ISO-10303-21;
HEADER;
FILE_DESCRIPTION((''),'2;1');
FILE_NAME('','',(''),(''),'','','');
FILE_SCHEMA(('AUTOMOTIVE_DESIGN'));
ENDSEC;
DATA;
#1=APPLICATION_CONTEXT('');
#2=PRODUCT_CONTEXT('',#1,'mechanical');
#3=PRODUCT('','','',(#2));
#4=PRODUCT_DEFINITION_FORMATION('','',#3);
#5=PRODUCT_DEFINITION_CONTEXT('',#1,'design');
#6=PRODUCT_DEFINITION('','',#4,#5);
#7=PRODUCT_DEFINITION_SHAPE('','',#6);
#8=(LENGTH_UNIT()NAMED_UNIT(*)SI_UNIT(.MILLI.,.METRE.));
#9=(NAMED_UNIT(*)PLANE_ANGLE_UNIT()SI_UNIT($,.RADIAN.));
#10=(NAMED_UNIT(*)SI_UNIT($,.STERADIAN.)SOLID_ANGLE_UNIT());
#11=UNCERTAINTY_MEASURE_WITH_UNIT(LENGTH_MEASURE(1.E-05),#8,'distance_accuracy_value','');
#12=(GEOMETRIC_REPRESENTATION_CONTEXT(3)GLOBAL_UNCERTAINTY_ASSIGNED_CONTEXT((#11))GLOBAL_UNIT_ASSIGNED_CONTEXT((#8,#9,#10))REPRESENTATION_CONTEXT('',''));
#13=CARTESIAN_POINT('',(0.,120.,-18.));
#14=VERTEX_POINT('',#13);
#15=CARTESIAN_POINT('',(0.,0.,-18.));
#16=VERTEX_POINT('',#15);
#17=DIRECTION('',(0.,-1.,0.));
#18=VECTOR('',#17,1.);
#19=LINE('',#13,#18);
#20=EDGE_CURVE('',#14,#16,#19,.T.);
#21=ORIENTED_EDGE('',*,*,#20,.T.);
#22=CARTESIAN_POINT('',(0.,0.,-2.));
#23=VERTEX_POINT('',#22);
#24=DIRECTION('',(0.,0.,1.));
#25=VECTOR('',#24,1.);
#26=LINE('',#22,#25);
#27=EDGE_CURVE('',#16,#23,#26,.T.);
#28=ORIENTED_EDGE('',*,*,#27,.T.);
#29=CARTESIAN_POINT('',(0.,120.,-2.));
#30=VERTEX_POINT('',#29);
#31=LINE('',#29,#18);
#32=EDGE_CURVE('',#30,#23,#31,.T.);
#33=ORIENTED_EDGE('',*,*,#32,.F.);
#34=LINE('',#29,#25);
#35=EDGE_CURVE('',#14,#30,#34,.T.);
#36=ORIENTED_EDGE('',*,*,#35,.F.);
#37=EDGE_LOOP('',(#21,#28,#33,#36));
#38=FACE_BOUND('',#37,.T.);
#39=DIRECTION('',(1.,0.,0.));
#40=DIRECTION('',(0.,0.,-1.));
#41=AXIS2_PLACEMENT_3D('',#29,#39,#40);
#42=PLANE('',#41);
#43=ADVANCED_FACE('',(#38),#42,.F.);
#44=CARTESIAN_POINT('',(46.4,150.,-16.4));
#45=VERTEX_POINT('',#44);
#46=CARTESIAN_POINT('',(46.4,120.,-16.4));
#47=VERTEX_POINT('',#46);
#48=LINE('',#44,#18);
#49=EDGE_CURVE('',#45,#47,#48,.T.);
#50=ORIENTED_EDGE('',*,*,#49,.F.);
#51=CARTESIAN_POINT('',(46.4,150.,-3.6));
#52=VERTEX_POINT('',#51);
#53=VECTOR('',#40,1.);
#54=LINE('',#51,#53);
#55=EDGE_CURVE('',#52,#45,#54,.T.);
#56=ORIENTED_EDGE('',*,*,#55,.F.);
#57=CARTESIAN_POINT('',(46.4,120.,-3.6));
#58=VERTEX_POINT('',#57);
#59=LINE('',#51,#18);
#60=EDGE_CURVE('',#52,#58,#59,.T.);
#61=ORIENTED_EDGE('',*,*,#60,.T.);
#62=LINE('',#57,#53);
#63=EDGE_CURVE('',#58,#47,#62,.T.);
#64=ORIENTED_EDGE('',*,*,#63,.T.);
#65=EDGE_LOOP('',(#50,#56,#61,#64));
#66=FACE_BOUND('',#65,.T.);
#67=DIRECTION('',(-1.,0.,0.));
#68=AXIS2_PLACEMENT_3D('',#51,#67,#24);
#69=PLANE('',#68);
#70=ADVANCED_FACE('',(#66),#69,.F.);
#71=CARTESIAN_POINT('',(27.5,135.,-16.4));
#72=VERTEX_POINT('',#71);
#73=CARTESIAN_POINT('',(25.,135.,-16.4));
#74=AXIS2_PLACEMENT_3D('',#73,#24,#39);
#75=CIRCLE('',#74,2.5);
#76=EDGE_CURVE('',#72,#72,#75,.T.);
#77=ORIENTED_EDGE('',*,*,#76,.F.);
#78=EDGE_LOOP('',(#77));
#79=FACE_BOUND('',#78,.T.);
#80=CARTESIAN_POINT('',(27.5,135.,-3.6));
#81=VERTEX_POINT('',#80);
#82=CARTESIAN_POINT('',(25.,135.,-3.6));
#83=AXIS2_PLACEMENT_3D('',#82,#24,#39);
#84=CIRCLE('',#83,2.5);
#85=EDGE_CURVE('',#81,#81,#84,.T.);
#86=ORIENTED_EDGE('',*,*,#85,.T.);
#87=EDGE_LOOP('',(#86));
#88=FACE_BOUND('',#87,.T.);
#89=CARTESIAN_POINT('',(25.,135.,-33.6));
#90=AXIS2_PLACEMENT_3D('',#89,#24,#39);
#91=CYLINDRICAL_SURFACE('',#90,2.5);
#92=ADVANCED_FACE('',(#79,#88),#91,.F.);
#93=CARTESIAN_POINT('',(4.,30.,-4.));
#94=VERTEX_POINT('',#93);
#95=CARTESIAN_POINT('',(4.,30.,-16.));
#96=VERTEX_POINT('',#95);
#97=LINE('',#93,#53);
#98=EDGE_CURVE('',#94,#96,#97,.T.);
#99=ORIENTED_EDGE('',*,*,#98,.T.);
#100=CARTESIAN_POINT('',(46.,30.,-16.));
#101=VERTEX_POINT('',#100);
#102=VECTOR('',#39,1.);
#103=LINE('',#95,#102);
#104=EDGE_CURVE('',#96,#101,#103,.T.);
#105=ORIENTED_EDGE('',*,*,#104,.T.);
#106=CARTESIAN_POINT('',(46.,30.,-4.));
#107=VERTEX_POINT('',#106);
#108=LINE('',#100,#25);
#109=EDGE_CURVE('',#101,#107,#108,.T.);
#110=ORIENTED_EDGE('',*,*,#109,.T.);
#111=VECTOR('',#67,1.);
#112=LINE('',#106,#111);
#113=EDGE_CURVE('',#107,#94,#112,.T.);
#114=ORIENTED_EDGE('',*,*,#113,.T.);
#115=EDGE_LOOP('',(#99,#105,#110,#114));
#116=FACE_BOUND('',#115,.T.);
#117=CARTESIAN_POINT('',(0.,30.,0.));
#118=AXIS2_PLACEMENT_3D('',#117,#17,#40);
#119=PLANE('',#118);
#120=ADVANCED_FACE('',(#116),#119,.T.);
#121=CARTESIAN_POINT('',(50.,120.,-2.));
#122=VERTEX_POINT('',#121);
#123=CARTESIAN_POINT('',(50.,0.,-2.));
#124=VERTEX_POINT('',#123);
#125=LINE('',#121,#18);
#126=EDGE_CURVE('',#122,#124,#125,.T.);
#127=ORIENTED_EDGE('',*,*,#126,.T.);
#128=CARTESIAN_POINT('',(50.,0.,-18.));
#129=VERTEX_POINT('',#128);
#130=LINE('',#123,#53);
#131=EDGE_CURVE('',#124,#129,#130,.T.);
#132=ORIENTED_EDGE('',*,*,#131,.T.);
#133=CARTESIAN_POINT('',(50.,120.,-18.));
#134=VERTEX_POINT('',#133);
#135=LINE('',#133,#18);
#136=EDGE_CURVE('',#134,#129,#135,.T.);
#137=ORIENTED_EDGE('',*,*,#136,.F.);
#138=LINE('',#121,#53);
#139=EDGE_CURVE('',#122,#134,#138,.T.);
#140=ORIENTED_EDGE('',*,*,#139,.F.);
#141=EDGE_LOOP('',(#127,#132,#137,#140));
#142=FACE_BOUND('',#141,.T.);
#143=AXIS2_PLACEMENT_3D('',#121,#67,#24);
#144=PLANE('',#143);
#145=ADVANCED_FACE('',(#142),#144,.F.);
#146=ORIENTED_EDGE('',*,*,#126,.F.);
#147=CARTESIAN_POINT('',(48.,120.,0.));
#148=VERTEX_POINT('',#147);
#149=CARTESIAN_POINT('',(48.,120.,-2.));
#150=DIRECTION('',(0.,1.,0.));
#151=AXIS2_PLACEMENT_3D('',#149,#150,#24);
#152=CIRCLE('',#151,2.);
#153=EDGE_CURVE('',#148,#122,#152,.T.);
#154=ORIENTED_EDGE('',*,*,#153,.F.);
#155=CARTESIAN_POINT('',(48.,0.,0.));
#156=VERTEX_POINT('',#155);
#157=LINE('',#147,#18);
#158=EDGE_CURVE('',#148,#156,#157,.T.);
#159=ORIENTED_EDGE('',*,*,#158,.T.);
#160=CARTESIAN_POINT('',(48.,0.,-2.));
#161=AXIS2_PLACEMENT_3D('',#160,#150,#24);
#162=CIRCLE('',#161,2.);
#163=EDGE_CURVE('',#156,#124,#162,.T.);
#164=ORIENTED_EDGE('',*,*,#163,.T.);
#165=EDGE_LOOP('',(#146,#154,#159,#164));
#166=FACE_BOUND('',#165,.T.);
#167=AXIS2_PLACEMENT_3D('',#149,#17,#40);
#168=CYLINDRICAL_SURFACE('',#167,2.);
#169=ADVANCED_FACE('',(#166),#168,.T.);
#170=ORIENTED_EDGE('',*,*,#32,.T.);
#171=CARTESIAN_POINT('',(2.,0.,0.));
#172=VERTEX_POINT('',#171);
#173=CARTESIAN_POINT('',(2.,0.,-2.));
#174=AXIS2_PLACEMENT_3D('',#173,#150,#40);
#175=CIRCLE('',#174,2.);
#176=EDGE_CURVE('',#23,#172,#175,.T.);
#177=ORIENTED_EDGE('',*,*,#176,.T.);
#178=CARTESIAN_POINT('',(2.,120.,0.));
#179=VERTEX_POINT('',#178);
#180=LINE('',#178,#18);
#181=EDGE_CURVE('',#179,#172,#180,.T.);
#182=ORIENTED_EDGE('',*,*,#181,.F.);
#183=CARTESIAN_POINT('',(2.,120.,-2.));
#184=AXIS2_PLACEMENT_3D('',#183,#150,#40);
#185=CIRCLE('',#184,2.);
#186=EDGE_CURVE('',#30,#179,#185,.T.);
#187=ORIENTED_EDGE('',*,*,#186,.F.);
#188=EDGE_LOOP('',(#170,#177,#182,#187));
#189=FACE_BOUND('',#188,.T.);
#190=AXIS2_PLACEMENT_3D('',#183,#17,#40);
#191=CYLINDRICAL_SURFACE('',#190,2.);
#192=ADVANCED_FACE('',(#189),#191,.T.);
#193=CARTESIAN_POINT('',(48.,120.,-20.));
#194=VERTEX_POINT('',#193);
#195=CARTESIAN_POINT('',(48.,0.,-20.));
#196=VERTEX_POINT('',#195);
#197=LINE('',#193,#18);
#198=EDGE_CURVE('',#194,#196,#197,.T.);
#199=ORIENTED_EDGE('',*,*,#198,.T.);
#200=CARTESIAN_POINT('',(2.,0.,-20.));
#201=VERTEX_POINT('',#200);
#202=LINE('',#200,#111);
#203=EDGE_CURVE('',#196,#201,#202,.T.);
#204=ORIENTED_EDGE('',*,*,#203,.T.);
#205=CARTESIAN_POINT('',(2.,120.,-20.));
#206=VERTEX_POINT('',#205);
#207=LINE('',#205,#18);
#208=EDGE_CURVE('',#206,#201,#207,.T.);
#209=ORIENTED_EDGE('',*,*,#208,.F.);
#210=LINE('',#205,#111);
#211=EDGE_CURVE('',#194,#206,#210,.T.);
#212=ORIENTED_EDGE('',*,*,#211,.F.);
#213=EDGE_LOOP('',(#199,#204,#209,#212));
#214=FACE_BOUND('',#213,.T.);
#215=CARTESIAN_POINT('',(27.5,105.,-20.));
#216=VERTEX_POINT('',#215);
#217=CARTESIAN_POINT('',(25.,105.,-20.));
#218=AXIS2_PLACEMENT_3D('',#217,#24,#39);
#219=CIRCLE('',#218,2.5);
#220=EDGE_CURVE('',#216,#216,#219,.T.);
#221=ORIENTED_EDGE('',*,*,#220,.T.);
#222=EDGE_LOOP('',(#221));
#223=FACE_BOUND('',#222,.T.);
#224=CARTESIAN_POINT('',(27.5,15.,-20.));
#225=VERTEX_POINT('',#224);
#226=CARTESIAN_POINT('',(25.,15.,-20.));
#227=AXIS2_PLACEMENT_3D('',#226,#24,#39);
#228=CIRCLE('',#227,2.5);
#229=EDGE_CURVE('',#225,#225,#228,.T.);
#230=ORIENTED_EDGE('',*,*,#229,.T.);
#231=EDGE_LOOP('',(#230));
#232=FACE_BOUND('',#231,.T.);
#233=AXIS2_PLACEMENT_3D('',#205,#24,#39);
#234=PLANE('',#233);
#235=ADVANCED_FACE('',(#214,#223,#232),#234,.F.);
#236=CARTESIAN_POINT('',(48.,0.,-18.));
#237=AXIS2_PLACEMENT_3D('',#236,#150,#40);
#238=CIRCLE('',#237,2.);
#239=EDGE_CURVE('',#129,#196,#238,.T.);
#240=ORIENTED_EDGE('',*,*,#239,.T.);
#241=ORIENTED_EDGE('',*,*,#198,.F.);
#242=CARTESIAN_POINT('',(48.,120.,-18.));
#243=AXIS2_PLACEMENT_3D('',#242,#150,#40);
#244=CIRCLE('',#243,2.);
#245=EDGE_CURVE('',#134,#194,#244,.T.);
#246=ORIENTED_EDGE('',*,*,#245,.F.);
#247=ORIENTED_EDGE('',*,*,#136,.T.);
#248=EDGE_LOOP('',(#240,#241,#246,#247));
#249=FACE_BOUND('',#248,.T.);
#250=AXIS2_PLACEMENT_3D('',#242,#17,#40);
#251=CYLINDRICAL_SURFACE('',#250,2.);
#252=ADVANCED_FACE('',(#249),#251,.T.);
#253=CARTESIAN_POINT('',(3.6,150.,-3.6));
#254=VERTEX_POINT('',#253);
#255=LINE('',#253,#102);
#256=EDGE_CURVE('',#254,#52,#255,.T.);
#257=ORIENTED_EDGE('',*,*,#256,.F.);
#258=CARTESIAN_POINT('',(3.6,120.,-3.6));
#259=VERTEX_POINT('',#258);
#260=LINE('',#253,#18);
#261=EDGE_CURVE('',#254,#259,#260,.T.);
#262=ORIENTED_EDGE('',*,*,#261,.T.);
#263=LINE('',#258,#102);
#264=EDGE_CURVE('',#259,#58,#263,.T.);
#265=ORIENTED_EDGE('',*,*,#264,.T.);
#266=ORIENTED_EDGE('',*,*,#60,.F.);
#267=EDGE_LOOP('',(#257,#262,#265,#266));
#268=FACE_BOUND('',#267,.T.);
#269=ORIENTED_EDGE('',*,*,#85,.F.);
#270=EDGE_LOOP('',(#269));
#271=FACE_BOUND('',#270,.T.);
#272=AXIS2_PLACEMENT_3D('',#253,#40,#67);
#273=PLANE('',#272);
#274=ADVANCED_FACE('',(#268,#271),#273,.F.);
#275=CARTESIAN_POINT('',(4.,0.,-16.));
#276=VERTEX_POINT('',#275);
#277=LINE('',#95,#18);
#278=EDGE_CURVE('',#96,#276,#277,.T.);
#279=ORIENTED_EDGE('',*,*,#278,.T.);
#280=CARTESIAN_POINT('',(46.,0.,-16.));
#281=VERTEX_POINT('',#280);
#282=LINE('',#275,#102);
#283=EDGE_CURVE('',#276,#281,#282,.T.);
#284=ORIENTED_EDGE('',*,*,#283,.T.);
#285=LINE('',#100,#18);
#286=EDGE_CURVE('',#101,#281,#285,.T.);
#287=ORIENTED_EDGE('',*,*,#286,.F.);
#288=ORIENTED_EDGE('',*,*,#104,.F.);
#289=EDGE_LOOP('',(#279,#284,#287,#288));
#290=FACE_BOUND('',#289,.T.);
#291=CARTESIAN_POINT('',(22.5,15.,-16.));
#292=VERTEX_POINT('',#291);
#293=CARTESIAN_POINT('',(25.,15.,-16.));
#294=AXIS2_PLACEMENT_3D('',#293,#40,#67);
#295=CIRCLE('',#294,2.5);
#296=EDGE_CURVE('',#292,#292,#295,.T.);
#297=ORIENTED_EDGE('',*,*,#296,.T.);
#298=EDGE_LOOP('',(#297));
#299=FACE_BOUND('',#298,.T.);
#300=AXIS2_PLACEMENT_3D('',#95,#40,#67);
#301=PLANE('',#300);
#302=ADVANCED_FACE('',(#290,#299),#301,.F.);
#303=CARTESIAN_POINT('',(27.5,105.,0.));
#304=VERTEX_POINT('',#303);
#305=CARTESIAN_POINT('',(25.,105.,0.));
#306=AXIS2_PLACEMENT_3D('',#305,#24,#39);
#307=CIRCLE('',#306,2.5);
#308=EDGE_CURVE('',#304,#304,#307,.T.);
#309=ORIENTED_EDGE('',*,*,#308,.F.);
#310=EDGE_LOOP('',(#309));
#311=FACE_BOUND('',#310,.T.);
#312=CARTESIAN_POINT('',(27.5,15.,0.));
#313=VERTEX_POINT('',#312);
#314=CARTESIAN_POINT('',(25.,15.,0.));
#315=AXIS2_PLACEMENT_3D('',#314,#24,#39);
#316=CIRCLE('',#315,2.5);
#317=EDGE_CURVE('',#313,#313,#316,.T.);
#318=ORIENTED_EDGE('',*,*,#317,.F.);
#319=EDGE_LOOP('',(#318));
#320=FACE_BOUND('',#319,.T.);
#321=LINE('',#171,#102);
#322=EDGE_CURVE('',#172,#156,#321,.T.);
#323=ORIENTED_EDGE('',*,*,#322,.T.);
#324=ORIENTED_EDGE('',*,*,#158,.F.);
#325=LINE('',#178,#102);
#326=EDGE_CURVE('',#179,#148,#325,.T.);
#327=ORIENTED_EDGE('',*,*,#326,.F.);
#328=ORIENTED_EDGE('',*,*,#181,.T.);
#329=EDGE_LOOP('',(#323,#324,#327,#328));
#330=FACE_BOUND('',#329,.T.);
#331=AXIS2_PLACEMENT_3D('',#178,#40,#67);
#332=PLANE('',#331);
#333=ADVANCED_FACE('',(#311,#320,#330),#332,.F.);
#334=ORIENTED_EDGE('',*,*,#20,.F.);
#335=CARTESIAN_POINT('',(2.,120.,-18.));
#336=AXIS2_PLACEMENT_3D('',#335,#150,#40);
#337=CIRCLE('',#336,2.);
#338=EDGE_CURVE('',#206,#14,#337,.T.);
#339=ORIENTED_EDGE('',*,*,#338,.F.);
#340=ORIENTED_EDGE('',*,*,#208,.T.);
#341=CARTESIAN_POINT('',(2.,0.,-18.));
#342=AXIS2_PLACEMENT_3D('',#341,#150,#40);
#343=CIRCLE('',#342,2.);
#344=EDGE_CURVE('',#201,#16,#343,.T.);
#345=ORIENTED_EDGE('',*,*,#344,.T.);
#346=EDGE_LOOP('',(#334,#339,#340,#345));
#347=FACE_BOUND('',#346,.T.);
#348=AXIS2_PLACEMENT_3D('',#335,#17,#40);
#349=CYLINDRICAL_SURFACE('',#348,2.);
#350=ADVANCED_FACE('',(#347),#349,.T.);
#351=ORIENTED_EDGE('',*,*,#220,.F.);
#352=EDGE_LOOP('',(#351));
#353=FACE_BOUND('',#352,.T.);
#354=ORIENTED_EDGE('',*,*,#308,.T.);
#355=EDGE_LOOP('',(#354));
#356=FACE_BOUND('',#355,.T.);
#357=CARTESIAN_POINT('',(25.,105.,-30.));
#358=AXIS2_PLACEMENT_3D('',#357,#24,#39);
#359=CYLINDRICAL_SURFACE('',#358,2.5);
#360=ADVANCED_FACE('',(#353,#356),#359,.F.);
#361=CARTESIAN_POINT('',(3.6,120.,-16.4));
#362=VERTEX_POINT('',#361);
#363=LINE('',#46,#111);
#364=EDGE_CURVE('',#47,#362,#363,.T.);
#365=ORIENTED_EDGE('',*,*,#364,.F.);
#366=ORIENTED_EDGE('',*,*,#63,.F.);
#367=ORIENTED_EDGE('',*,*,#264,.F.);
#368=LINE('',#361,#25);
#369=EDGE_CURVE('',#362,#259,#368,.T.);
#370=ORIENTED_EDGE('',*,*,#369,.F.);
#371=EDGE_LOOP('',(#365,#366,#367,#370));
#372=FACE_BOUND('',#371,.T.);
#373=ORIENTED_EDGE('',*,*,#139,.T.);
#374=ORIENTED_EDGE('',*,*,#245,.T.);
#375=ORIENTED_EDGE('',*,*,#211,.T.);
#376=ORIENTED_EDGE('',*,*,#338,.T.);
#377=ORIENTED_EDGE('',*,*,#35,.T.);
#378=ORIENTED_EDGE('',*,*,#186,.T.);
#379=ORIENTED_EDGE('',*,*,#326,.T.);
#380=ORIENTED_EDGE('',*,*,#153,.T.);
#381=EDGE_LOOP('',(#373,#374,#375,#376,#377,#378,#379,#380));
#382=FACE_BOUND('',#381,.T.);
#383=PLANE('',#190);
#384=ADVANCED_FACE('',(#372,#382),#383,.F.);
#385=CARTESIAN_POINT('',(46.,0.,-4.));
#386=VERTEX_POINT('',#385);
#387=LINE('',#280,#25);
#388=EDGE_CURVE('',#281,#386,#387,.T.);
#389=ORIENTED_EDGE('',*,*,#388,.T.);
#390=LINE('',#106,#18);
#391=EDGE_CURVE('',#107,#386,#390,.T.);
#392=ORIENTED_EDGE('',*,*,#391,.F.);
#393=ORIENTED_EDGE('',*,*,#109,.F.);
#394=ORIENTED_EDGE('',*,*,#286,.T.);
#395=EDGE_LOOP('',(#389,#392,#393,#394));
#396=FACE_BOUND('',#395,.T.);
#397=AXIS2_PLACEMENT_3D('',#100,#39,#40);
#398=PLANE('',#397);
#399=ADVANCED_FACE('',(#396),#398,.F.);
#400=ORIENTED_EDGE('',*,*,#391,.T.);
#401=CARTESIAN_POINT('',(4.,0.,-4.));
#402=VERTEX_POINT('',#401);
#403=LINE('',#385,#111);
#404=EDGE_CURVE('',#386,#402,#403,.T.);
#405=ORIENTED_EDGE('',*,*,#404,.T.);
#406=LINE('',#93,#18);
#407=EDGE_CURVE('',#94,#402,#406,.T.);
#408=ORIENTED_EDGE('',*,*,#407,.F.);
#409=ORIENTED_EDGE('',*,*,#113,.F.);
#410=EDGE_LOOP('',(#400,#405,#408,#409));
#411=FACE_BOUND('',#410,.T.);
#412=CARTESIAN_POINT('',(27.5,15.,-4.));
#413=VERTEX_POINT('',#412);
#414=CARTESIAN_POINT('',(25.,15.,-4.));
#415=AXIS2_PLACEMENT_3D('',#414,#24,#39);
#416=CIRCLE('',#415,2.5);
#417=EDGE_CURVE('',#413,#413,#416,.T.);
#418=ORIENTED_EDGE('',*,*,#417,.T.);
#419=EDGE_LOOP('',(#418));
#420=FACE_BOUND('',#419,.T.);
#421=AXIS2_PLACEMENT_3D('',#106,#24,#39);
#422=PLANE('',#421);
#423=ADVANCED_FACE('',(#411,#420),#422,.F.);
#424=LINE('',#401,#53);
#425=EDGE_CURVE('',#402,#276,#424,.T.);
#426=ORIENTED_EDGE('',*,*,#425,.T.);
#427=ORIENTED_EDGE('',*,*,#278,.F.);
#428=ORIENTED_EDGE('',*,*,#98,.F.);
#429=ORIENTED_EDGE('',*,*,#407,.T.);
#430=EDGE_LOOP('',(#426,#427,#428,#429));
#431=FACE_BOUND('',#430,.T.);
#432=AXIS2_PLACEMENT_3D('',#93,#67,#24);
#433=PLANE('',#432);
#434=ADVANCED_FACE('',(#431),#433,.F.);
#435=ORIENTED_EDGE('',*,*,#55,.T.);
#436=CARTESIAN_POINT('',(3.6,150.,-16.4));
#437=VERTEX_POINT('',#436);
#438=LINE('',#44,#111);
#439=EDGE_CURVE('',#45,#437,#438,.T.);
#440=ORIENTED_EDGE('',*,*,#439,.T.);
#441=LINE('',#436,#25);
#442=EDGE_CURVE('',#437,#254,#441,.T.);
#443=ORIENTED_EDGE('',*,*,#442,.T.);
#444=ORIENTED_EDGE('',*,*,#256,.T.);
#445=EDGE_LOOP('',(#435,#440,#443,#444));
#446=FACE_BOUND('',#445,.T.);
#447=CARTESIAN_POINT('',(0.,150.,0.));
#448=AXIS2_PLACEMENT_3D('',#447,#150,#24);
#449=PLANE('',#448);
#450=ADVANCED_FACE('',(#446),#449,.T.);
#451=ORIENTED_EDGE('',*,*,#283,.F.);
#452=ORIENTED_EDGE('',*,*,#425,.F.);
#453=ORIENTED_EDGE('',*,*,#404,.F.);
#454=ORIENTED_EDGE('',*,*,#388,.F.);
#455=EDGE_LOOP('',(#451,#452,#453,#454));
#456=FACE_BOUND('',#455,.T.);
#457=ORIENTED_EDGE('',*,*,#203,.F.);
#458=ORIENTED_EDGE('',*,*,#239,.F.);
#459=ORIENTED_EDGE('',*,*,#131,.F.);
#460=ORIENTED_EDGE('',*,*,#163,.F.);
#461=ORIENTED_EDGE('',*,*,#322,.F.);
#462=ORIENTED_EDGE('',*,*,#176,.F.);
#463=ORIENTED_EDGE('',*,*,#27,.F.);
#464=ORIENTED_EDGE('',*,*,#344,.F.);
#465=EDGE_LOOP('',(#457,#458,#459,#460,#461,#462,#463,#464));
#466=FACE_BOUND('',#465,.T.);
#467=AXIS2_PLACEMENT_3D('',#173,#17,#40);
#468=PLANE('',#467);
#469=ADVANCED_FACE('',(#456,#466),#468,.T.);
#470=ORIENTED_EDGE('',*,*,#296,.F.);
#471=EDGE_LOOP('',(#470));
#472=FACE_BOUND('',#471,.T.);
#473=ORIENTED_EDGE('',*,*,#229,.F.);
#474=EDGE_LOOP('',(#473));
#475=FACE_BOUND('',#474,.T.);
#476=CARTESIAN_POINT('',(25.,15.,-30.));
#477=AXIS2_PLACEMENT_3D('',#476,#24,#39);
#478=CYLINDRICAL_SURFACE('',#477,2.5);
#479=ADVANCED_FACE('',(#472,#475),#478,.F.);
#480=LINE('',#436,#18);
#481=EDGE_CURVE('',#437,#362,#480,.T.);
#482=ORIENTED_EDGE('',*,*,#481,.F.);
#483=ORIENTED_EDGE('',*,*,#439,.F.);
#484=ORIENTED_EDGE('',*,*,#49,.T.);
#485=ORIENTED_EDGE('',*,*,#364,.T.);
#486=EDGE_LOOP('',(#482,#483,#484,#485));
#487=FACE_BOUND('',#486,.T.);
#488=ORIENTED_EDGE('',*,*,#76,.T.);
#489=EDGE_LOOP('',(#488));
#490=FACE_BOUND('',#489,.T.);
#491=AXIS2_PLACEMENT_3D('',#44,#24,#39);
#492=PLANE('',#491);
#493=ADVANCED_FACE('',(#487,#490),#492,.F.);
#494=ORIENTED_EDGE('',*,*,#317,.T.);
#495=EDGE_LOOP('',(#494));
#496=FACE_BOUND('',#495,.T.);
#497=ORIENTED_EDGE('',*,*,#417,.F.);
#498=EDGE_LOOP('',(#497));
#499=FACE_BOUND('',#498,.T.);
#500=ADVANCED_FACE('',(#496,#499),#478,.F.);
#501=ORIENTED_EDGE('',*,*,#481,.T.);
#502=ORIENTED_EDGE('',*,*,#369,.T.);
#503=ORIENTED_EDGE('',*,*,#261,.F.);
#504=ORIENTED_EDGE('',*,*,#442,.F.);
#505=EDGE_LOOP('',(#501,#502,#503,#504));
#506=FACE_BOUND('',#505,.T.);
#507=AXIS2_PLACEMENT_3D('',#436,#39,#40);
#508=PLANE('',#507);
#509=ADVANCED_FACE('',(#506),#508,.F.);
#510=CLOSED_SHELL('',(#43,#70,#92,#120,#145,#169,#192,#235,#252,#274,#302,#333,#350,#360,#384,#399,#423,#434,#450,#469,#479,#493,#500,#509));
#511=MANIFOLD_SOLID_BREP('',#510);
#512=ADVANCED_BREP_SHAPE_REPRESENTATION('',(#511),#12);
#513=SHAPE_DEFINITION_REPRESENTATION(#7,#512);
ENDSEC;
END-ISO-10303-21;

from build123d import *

# Parameters (mm, degrees)
BOSS_EXTRUDE1_DEPTH = 120
SKETCH3_W           = 42
SKETCH3_H           = 12
CUT_EXTRUDE2_DEPTH  = 30
SKETCH6_R           = 2.5
CUT_EXTRUDE3_DEPTH  = 30
SKETCH8_W           = 42.8
SKETCH8_H           = 12.8
BOSS_EXTRUDE2_DEPTH = 30
SKETCH9_R           = 2.5
CUT_EXTRUDE4_DEPTH  = 30


with BuildPart() as part:
    # Sketch1 → Boss-Extrude1 (new body)
    with BuildSketch(Plane(origin=(0, 0, 0), x_dir=(1, 0, 0), z_dir=(0, 1, 0))):
        with BuildLine():
            Line((2, 0), (48, 0))
            ThreePointArc((48, 0), (49.414213562, 0.585786438), (50, 2))
            Line((50, 2), (50, 18))
            ThreePointArc((50, 18), (49.414213562, 19.414213562), (48, 20))
            Line((48, 20), (2, 20))
            ThreePointArc((2, 20), (0.585786438, 19.414213562), (0, 18))
            Line((0, 18), (0, 2))
            ThreePointArc((0, 2), (0.585786438, 0.585786438), (2, 0))
        make_face()
    extrude(amount=BOSS_EXTRUDE1_DEPTH)

    # Sketch3 → Cut-Extrude2 (cut)
    with BuildSketch(Plane.XZ):
        with Locations((25, -10)):
            Rectangle(SKETCH3_W, SKETCH3_H)
    extrude(amount=-CUT_EXTRUDE2_DEPTH, mode=Mode.SUBTRACT)

    # Sketch6 → Cut-Extrude3 (cut)
    with BuildSketch(Plane.XY):
        with Locations((25, 105)):
            Circle(SKETCH6_R)
        with Locations((25, 15)):
            Circle(SKETCH6_R)
    extrude(amount=-CUT_EXTRUDE3_DEPTH, mode=Mode.SUBTRACT)

    # Sketch8 → Boss-Extrude2 (add)
    with BuildSketch(Plane(origin=(0, 120, 0), x_dir=(1, 0, 0), z_dir=(0, 1, 0))):
        with Locations((25, 10)):
            Rectangle(SKETCH8_W, SKETCH8_H)
    extrude(amount=BOSS_EXTRUDE2_DEPTH)

    # Sketch9 → Cut-Extrude4 (cut)
    with BuildSketch(Plane.XY.offset(-3.6)):
        with Locations((25, 135)):
            Circle(SKETCH9_R)
    extrude(amount=-CUT_EXTRUDE4_DEPTH, mode=Mode.SUBTRACT)


solid = part.part
